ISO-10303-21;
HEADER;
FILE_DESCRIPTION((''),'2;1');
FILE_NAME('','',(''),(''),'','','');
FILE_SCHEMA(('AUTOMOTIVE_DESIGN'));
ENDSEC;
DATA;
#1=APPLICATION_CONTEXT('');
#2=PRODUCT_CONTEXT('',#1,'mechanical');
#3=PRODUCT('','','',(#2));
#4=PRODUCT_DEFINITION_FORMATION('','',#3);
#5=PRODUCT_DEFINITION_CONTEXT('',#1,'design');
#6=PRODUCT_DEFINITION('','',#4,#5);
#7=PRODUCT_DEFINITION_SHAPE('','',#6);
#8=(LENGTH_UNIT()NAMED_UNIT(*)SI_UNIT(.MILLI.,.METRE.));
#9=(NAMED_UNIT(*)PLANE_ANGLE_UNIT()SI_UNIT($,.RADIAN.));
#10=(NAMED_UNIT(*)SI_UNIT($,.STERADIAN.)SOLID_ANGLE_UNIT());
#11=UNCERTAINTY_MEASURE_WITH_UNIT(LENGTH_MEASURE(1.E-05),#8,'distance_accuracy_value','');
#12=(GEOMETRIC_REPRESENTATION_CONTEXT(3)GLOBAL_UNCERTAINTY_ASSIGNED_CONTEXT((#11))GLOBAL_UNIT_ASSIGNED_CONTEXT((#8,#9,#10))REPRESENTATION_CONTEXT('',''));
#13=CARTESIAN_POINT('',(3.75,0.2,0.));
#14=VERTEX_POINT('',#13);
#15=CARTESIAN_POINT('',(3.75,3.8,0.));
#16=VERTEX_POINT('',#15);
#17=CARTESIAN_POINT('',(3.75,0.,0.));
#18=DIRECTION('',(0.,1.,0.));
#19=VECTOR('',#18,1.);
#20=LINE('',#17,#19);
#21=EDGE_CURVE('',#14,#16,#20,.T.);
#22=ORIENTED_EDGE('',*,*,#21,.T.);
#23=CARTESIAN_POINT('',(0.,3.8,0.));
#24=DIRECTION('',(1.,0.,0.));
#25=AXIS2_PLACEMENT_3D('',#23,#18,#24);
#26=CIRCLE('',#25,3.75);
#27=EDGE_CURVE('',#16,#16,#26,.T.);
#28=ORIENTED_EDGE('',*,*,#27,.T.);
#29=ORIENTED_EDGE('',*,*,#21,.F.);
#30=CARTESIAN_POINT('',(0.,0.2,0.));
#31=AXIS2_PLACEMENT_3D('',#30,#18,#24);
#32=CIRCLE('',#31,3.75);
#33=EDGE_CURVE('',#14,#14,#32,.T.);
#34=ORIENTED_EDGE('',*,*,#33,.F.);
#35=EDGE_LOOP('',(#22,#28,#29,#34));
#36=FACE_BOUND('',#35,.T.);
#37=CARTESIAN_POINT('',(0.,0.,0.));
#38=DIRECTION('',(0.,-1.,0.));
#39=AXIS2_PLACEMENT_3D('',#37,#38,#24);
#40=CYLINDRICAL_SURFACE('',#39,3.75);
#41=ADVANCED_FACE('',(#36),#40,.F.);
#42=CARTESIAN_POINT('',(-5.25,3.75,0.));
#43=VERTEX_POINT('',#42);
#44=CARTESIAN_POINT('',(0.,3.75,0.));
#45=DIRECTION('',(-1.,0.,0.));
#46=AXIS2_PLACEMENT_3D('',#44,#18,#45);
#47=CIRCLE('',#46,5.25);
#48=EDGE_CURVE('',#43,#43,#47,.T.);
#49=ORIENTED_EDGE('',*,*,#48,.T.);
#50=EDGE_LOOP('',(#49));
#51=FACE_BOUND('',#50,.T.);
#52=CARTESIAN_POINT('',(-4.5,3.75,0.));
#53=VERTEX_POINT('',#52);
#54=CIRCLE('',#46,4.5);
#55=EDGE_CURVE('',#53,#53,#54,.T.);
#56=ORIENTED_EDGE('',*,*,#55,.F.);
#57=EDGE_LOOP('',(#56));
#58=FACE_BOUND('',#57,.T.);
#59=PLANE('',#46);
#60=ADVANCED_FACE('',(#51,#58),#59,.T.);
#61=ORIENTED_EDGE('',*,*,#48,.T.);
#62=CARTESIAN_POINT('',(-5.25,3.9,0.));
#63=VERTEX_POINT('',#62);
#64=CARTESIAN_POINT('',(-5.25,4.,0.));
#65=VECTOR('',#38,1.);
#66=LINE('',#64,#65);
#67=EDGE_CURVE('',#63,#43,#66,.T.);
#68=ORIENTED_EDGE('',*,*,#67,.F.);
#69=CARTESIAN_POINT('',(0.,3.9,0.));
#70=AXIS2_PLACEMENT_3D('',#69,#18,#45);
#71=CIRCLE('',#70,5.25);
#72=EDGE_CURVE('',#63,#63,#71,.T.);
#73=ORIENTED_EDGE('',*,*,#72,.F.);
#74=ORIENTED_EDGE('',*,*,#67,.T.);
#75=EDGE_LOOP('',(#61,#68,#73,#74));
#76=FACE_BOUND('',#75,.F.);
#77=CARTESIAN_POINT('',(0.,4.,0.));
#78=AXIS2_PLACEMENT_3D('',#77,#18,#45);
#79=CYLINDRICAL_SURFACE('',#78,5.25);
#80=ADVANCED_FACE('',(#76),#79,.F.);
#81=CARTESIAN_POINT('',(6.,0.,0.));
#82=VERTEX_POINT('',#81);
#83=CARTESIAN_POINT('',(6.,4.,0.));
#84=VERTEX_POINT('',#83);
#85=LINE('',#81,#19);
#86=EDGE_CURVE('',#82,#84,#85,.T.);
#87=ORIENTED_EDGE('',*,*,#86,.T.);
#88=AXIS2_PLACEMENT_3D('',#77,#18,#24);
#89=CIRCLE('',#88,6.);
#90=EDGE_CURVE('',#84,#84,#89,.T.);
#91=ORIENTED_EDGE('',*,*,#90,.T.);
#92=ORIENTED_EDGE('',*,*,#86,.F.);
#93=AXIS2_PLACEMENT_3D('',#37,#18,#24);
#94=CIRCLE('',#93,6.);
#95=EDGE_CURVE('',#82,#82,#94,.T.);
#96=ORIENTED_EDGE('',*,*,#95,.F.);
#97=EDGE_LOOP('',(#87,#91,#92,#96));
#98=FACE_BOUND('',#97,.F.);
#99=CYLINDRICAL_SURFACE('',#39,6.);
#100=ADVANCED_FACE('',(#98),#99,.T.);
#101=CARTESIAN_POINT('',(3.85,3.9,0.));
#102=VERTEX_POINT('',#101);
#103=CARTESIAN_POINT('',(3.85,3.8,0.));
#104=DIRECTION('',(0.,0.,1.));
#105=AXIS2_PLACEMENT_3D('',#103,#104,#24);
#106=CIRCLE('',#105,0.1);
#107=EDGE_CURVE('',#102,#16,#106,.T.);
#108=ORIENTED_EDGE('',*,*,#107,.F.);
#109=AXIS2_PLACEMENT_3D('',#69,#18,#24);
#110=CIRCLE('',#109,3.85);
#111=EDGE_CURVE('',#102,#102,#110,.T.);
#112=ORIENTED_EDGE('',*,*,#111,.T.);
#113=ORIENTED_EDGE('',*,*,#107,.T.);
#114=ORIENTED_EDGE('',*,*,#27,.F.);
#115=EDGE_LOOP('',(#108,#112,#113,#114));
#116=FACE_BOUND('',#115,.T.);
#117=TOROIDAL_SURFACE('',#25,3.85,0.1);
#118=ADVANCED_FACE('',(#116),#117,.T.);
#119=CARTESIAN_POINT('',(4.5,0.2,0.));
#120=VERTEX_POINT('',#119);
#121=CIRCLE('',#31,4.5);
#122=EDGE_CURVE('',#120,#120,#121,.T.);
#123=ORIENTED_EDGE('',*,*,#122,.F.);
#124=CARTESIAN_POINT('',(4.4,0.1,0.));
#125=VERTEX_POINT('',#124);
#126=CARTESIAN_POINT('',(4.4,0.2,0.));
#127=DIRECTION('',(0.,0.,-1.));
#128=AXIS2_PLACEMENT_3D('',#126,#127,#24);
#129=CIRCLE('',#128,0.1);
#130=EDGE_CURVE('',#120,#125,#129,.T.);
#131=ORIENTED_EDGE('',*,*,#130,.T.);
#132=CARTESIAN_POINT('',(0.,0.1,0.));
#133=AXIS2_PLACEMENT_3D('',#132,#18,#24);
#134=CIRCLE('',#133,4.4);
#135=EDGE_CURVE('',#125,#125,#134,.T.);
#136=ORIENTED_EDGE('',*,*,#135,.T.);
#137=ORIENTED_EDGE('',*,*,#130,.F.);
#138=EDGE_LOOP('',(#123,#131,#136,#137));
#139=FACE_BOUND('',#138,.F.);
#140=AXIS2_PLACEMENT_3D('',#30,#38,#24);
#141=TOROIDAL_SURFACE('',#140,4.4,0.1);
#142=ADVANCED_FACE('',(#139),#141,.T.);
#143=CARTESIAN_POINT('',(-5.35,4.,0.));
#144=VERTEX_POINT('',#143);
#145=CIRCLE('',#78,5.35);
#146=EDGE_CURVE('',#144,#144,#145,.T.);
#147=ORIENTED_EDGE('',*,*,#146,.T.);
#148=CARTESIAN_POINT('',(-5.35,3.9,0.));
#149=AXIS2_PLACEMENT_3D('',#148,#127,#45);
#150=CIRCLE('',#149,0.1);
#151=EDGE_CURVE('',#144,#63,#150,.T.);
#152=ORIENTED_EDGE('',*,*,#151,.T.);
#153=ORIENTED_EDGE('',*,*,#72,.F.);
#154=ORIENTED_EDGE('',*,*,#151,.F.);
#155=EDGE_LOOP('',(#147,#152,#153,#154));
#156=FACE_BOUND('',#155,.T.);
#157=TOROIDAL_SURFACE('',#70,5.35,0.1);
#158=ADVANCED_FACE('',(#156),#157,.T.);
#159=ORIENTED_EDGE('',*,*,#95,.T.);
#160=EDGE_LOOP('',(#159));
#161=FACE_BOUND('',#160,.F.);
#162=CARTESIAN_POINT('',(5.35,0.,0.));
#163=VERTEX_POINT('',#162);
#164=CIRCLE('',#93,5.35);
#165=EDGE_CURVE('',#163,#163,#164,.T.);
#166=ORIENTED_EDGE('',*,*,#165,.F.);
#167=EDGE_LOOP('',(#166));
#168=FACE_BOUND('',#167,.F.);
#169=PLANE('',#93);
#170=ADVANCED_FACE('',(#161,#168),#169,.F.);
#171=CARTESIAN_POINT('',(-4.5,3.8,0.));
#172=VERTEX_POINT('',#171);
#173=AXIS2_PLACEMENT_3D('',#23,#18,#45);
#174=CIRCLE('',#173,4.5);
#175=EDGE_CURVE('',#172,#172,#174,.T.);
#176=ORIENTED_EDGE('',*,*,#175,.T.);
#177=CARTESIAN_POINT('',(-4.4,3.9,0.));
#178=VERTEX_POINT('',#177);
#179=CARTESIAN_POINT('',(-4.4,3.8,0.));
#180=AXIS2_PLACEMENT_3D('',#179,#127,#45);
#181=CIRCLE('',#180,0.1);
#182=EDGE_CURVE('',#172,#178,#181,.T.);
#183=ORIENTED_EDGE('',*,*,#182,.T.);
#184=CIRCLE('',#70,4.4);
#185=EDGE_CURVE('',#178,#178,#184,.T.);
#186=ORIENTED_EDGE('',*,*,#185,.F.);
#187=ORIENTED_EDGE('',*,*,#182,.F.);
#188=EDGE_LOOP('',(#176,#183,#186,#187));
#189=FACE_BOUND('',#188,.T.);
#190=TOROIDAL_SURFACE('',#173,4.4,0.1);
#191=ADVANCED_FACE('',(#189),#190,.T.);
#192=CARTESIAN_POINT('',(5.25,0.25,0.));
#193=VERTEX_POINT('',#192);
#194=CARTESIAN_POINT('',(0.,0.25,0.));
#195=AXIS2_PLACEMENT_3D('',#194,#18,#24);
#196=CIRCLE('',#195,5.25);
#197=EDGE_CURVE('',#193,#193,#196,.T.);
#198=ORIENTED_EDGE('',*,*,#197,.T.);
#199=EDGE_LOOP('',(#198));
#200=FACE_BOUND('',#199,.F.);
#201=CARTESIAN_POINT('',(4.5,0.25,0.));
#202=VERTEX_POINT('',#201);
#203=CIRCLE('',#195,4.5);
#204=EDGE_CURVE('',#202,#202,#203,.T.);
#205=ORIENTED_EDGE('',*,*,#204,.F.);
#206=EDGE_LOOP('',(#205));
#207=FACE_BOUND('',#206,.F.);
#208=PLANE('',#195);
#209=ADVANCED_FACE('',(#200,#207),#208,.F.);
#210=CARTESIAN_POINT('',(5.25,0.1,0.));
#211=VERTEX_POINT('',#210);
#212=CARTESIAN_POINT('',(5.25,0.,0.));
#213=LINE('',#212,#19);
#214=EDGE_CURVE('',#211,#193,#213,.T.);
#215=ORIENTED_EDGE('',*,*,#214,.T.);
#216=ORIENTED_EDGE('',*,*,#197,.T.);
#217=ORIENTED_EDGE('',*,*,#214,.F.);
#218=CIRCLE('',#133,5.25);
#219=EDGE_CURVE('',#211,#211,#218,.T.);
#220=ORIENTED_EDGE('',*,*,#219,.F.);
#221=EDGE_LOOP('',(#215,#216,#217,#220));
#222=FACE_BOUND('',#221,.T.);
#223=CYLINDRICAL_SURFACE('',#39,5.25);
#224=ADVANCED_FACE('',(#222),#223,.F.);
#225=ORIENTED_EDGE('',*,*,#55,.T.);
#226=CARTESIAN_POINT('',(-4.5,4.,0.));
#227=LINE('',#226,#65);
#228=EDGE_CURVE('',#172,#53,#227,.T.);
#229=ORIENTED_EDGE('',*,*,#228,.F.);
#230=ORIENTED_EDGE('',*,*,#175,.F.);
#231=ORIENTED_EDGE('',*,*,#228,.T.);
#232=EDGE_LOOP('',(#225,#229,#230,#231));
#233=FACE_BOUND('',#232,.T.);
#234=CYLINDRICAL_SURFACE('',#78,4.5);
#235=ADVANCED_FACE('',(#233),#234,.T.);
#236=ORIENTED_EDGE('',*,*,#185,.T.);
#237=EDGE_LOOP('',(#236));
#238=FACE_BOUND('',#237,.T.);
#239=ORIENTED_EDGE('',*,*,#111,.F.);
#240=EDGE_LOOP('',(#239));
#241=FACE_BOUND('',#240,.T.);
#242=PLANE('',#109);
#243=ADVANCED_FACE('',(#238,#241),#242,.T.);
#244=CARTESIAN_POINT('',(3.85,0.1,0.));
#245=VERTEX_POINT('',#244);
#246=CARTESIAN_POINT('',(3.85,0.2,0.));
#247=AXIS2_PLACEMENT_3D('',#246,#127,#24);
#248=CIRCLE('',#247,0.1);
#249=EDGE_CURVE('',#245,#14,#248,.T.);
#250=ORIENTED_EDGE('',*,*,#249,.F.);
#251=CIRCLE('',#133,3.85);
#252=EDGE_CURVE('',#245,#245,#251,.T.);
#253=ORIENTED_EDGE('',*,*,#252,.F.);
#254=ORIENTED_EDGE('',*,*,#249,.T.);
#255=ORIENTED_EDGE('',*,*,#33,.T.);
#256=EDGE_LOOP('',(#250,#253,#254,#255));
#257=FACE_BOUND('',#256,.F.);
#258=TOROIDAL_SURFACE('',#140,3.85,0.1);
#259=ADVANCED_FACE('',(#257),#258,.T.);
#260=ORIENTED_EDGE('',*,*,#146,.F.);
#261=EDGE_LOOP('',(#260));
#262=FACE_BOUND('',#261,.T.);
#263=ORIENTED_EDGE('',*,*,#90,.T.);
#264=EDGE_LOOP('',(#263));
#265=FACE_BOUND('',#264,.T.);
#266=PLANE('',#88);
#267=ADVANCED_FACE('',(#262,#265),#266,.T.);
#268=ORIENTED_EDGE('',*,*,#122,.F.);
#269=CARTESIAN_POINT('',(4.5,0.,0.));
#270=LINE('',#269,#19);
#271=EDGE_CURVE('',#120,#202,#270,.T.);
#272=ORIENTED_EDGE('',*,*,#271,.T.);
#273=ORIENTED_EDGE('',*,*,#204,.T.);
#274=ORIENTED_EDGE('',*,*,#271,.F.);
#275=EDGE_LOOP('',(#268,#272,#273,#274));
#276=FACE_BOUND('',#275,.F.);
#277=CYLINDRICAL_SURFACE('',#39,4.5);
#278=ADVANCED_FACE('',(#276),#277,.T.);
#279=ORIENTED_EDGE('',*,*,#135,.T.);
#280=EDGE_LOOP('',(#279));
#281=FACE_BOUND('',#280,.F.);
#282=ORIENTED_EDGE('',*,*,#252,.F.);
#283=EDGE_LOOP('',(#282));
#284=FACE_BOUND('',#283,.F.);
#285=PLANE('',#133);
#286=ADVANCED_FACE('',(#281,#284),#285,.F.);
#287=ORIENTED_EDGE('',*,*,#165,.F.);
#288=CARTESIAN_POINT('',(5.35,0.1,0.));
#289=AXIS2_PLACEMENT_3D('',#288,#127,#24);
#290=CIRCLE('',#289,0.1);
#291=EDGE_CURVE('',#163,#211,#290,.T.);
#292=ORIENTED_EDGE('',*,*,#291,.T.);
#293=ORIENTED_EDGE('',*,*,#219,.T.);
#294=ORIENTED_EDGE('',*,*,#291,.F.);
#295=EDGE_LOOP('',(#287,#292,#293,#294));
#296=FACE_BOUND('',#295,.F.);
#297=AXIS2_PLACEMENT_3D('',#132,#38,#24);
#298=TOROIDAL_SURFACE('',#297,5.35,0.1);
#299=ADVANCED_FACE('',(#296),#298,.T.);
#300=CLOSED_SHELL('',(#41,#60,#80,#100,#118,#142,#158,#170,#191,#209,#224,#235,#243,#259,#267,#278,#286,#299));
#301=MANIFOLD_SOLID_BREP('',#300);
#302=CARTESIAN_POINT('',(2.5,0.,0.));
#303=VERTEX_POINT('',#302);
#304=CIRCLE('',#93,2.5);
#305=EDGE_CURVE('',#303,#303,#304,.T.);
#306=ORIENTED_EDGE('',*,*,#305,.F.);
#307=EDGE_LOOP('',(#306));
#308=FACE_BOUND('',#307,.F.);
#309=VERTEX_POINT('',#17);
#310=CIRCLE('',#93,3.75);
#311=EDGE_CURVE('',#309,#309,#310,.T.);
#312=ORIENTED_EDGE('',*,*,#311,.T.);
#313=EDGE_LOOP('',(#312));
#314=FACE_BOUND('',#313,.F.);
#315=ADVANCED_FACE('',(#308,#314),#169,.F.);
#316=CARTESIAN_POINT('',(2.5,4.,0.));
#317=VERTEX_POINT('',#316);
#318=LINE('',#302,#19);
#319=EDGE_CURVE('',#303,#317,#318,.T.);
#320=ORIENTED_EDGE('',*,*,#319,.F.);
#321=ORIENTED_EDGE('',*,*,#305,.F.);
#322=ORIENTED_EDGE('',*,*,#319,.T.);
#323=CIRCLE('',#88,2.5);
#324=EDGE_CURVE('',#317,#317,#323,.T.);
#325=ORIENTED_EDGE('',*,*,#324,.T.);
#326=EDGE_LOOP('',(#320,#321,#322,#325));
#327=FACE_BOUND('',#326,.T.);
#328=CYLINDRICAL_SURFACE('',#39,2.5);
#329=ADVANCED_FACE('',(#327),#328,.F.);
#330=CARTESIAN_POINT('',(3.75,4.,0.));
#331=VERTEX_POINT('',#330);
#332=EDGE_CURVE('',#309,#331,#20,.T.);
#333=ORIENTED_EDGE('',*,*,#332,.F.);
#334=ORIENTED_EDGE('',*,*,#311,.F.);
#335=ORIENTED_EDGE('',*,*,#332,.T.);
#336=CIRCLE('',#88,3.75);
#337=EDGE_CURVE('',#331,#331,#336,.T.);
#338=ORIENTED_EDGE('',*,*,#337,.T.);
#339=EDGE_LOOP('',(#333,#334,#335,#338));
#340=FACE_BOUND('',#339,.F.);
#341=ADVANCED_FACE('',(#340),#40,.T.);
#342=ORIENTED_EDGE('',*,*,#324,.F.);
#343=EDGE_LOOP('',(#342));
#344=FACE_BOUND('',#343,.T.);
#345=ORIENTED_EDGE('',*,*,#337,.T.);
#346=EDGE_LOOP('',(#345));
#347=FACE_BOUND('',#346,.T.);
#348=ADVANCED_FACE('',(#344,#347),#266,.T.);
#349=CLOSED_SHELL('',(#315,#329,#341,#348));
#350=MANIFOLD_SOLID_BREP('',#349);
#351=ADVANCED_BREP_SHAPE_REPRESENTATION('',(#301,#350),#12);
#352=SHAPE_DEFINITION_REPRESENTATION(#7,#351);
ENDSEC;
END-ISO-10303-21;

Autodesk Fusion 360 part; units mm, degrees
sketch "Sketch1" plane through (0, 0, 0) normal (0, 1, 0) x (1, 0, 0)
  circle A0 centre (0, 0) radius 2.5
  circle A1 centre (0, 0) radius 3.75
  circle A2 centre (0, 0) radius 6
  circle A3 centre (0, 0) radius 5.25
  circle A4 centre (0, 0) radius 4.5
  dimension "d1" = 5
  dimension "d2" = 7.5
  dimension "d3" = 12
  dimension "d4" = 10.5
  dimension "d13" = 9
extrude "Extrude1" add sketch "Sketch1" along normal blind 4 contours A2 | A3 | A4 makes body 1
extrude "Extrude2" add sketch "Sketch1" along normal blind 4 separate body contours A1 makes body 2
extrude "Extrude3" cut sketch "Sketch1" along normal blind 0.25 contours A3 bodies 1
sketch "Sketch2" plane through (0, 4, 0) normal (0, 1, 0) x (-1, 0, 0)
  circle A0 centre (0, 0) radius 3.75
  circle A1 centre (0, 0) radius 6
  circle A2 centre (0, 0) radius 5.25
  circle A3 centre (0, 0) radius 4.5
extrude "Extrude4" cut sketch "Sketch2" against normal blind 0.25 contours A2 bodies 1
extrude "Extrude5" cut 1 faces at (4.2193, 0, 0.4099) along direction (0, 1, 0) blind 0.1 on bodies 1 bodies 1
extrude "Extrude6" cut 1 faces at (-4.2193, 4, -0.4099) along direction (0, -1, 0) blind 0.1 on bodies 1 bodies 1
fillet "Fillet2" radius 0.1 6 edges at (-3.4962, 3.9, 1.3561) (4.1955, 3.9, 1.6273) (4.8947, 4, 1.8985) (-4.8947, 0, 1.8985) (-4.1955, 0.1, 1.6273) (-3.4962, 0.1, -1.3561) on bodies 1
